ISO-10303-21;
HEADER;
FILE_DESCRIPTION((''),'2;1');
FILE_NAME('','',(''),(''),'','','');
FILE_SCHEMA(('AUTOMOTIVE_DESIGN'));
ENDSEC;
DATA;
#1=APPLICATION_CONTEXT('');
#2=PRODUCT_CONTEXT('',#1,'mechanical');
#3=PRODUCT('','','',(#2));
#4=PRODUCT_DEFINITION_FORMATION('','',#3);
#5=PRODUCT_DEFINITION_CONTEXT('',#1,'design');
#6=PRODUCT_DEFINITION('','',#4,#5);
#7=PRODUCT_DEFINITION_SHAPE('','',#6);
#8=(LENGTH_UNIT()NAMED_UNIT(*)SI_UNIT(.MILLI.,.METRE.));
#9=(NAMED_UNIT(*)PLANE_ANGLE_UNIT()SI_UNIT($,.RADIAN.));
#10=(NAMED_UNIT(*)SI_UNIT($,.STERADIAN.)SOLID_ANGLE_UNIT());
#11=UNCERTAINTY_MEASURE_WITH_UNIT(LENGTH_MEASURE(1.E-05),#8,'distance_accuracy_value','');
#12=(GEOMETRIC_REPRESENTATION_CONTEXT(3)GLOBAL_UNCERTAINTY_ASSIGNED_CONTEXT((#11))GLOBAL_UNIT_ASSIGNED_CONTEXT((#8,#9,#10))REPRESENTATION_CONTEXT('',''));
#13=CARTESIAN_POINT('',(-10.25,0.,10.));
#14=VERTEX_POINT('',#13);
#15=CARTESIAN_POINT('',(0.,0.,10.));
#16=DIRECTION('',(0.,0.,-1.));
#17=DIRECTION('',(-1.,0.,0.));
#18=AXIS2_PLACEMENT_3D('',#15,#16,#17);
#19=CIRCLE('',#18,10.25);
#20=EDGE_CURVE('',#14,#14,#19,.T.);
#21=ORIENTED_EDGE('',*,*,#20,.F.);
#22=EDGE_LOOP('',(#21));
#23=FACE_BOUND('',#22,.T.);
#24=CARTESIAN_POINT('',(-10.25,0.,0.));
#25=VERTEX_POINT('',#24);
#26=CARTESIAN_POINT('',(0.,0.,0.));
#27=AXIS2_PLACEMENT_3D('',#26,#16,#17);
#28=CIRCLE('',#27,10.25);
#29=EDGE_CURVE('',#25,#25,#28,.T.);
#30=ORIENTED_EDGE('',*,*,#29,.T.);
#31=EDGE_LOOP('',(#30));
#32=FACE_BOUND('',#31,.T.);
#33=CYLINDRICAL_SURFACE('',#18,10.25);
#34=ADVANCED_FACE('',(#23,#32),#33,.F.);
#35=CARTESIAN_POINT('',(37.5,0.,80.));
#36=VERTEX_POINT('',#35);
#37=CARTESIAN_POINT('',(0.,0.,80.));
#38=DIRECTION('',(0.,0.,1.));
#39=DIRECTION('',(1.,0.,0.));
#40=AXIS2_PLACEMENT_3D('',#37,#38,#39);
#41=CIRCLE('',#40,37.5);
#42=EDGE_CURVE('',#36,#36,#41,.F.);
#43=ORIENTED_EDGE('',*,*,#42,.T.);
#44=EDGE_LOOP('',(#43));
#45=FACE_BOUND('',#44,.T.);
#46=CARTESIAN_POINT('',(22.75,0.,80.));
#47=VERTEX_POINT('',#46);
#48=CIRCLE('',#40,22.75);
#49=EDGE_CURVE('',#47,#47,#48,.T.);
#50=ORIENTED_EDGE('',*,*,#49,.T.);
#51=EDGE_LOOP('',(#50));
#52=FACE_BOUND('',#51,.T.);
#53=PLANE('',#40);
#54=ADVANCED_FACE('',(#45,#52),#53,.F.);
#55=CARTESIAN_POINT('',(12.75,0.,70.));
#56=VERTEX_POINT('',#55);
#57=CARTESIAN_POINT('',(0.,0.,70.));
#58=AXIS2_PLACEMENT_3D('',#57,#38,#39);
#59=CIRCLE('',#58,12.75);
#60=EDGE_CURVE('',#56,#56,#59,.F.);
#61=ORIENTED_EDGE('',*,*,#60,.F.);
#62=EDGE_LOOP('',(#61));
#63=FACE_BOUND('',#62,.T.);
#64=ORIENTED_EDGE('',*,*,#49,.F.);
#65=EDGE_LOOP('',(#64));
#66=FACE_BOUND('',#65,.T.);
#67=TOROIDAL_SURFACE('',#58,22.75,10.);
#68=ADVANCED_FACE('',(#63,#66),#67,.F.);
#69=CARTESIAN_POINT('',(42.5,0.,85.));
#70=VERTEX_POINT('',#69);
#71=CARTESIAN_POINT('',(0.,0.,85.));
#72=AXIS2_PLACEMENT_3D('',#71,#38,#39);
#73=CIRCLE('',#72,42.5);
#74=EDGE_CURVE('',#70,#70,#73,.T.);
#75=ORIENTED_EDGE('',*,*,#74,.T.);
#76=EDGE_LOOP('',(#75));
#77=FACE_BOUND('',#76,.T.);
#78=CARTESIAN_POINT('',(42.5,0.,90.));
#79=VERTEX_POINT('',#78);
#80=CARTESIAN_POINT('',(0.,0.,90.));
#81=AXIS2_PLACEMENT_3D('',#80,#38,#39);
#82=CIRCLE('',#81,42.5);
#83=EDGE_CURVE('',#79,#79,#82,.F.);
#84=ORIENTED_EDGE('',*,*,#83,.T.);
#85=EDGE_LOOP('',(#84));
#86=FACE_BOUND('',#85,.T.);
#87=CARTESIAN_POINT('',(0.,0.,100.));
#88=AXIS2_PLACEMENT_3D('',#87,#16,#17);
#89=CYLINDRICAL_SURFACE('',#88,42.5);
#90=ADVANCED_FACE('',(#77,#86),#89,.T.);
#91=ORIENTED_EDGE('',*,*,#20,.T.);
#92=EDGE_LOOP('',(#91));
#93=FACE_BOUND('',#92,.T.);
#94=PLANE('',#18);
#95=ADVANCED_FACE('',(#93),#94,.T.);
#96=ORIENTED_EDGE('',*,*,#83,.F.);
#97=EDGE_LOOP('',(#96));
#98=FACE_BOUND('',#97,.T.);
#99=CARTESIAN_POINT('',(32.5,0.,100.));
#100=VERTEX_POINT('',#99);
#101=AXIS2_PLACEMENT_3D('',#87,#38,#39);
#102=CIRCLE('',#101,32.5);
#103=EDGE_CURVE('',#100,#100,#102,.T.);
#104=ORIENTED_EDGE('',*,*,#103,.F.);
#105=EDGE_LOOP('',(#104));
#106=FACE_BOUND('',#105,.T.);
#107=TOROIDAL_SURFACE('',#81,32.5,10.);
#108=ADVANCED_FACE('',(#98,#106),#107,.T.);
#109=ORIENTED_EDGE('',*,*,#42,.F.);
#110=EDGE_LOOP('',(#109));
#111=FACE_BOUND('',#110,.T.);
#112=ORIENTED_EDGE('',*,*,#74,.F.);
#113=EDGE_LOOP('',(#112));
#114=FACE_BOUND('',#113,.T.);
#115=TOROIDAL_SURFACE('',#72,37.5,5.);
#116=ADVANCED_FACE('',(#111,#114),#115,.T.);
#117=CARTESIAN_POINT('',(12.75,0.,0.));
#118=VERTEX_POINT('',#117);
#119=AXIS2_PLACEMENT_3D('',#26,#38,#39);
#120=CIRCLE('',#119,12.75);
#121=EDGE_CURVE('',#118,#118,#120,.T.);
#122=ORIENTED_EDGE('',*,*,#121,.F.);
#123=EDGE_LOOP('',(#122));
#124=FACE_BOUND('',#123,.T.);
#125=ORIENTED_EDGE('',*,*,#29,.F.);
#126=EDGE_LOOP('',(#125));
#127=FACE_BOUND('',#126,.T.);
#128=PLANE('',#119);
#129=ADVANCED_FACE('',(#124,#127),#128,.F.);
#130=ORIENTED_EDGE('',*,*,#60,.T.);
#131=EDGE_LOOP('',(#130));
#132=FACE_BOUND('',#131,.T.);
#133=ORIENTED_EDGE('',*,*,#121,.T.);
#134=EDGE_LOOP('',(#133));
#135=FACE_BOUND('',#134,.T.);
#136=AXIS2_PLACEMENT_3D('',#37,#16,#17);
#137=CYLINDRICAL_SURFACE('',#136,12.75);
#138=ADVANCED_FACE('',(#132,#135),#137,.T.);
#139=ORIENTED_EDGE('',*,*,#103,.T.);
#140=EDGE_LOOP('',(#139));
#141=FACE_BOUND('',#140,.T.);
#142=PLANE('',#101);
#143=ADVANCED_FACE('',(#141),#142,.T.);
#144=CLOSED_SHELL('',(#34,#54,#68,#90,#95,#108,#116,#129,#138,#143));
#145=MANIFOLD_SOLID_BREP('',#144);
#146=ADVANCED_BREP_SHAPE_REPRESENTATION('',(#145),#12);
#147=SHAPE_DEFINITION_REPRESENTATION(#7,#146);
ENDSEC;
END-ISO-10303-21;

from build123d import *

# Parameters (mm, degrees)
CROQUIS1_R              = 12.75
SALIENTE_EXTRUIR1_DEPTH = 80
CROQUIS2_R              = 42.5
SALIENTE_EXTRUIR2_DEPTH = 20
REDONDEO1_R             = 10
CROQUIS3_R              = 10.25
CORTAR_EXTRUIR1_DEPTH   = 10
REDONDEO2_R             = 10
REDONDEO3_R             = 5


with BuildPart() as part:
    # Croquis1 → Saliente-Extruir1 (new body)
    with BuildSketch(Plane.XY):
        Circle(CROQUIS1_R)
    extrude(amount=SALIENTE_EXTRUIR1_DEPTH)

    # Croquis2 → Saliente-Extruir2 (add)
    with BuildSketch(Plane.XY.offset(80)):
        Circle(CROQUIS2_R)
    extrude(amount=SALIENTE_EXTRUIR2_DEPTH)

    # Redondeo1
    redondeo1_edges = [part.edges().sort_by_distance(p)[0] for p in [
        (-42.5, 0, 100),
    ]]
    fillet(redondeo1_edges, radius=REDONDEO1_R)

    # Croquis3 → Cortar-Extruir1 (cut)
    with BuildSketch(Plane(origin=(0, 0, 0), x_dir=(-1, 0, 0), z_dir=(0, 0, -1))):
        Circle(CROQUIS3_R)
    extrude(amount=-CORTAR_EXTRUIR1_DEPTH, mode=Mode.SUBTRACT)

    # Redondeo2
    redondeo2_edges = [part.edges().sort_by_distance(p)[0] for p in [
        (-12.75, 0, 80),
    ]]
    fillet(redondeo2_edges, radius=REDONDEO2_R)

    # Redondeo3
    redondeo3_edges = [part.edges().sort_by_distance(p)[0] for p in [
        (-42.5, 0, 80),
    ]]
    fillet(redondeo3_edges, radius=REDONDEO3_R)


solid = part.part
